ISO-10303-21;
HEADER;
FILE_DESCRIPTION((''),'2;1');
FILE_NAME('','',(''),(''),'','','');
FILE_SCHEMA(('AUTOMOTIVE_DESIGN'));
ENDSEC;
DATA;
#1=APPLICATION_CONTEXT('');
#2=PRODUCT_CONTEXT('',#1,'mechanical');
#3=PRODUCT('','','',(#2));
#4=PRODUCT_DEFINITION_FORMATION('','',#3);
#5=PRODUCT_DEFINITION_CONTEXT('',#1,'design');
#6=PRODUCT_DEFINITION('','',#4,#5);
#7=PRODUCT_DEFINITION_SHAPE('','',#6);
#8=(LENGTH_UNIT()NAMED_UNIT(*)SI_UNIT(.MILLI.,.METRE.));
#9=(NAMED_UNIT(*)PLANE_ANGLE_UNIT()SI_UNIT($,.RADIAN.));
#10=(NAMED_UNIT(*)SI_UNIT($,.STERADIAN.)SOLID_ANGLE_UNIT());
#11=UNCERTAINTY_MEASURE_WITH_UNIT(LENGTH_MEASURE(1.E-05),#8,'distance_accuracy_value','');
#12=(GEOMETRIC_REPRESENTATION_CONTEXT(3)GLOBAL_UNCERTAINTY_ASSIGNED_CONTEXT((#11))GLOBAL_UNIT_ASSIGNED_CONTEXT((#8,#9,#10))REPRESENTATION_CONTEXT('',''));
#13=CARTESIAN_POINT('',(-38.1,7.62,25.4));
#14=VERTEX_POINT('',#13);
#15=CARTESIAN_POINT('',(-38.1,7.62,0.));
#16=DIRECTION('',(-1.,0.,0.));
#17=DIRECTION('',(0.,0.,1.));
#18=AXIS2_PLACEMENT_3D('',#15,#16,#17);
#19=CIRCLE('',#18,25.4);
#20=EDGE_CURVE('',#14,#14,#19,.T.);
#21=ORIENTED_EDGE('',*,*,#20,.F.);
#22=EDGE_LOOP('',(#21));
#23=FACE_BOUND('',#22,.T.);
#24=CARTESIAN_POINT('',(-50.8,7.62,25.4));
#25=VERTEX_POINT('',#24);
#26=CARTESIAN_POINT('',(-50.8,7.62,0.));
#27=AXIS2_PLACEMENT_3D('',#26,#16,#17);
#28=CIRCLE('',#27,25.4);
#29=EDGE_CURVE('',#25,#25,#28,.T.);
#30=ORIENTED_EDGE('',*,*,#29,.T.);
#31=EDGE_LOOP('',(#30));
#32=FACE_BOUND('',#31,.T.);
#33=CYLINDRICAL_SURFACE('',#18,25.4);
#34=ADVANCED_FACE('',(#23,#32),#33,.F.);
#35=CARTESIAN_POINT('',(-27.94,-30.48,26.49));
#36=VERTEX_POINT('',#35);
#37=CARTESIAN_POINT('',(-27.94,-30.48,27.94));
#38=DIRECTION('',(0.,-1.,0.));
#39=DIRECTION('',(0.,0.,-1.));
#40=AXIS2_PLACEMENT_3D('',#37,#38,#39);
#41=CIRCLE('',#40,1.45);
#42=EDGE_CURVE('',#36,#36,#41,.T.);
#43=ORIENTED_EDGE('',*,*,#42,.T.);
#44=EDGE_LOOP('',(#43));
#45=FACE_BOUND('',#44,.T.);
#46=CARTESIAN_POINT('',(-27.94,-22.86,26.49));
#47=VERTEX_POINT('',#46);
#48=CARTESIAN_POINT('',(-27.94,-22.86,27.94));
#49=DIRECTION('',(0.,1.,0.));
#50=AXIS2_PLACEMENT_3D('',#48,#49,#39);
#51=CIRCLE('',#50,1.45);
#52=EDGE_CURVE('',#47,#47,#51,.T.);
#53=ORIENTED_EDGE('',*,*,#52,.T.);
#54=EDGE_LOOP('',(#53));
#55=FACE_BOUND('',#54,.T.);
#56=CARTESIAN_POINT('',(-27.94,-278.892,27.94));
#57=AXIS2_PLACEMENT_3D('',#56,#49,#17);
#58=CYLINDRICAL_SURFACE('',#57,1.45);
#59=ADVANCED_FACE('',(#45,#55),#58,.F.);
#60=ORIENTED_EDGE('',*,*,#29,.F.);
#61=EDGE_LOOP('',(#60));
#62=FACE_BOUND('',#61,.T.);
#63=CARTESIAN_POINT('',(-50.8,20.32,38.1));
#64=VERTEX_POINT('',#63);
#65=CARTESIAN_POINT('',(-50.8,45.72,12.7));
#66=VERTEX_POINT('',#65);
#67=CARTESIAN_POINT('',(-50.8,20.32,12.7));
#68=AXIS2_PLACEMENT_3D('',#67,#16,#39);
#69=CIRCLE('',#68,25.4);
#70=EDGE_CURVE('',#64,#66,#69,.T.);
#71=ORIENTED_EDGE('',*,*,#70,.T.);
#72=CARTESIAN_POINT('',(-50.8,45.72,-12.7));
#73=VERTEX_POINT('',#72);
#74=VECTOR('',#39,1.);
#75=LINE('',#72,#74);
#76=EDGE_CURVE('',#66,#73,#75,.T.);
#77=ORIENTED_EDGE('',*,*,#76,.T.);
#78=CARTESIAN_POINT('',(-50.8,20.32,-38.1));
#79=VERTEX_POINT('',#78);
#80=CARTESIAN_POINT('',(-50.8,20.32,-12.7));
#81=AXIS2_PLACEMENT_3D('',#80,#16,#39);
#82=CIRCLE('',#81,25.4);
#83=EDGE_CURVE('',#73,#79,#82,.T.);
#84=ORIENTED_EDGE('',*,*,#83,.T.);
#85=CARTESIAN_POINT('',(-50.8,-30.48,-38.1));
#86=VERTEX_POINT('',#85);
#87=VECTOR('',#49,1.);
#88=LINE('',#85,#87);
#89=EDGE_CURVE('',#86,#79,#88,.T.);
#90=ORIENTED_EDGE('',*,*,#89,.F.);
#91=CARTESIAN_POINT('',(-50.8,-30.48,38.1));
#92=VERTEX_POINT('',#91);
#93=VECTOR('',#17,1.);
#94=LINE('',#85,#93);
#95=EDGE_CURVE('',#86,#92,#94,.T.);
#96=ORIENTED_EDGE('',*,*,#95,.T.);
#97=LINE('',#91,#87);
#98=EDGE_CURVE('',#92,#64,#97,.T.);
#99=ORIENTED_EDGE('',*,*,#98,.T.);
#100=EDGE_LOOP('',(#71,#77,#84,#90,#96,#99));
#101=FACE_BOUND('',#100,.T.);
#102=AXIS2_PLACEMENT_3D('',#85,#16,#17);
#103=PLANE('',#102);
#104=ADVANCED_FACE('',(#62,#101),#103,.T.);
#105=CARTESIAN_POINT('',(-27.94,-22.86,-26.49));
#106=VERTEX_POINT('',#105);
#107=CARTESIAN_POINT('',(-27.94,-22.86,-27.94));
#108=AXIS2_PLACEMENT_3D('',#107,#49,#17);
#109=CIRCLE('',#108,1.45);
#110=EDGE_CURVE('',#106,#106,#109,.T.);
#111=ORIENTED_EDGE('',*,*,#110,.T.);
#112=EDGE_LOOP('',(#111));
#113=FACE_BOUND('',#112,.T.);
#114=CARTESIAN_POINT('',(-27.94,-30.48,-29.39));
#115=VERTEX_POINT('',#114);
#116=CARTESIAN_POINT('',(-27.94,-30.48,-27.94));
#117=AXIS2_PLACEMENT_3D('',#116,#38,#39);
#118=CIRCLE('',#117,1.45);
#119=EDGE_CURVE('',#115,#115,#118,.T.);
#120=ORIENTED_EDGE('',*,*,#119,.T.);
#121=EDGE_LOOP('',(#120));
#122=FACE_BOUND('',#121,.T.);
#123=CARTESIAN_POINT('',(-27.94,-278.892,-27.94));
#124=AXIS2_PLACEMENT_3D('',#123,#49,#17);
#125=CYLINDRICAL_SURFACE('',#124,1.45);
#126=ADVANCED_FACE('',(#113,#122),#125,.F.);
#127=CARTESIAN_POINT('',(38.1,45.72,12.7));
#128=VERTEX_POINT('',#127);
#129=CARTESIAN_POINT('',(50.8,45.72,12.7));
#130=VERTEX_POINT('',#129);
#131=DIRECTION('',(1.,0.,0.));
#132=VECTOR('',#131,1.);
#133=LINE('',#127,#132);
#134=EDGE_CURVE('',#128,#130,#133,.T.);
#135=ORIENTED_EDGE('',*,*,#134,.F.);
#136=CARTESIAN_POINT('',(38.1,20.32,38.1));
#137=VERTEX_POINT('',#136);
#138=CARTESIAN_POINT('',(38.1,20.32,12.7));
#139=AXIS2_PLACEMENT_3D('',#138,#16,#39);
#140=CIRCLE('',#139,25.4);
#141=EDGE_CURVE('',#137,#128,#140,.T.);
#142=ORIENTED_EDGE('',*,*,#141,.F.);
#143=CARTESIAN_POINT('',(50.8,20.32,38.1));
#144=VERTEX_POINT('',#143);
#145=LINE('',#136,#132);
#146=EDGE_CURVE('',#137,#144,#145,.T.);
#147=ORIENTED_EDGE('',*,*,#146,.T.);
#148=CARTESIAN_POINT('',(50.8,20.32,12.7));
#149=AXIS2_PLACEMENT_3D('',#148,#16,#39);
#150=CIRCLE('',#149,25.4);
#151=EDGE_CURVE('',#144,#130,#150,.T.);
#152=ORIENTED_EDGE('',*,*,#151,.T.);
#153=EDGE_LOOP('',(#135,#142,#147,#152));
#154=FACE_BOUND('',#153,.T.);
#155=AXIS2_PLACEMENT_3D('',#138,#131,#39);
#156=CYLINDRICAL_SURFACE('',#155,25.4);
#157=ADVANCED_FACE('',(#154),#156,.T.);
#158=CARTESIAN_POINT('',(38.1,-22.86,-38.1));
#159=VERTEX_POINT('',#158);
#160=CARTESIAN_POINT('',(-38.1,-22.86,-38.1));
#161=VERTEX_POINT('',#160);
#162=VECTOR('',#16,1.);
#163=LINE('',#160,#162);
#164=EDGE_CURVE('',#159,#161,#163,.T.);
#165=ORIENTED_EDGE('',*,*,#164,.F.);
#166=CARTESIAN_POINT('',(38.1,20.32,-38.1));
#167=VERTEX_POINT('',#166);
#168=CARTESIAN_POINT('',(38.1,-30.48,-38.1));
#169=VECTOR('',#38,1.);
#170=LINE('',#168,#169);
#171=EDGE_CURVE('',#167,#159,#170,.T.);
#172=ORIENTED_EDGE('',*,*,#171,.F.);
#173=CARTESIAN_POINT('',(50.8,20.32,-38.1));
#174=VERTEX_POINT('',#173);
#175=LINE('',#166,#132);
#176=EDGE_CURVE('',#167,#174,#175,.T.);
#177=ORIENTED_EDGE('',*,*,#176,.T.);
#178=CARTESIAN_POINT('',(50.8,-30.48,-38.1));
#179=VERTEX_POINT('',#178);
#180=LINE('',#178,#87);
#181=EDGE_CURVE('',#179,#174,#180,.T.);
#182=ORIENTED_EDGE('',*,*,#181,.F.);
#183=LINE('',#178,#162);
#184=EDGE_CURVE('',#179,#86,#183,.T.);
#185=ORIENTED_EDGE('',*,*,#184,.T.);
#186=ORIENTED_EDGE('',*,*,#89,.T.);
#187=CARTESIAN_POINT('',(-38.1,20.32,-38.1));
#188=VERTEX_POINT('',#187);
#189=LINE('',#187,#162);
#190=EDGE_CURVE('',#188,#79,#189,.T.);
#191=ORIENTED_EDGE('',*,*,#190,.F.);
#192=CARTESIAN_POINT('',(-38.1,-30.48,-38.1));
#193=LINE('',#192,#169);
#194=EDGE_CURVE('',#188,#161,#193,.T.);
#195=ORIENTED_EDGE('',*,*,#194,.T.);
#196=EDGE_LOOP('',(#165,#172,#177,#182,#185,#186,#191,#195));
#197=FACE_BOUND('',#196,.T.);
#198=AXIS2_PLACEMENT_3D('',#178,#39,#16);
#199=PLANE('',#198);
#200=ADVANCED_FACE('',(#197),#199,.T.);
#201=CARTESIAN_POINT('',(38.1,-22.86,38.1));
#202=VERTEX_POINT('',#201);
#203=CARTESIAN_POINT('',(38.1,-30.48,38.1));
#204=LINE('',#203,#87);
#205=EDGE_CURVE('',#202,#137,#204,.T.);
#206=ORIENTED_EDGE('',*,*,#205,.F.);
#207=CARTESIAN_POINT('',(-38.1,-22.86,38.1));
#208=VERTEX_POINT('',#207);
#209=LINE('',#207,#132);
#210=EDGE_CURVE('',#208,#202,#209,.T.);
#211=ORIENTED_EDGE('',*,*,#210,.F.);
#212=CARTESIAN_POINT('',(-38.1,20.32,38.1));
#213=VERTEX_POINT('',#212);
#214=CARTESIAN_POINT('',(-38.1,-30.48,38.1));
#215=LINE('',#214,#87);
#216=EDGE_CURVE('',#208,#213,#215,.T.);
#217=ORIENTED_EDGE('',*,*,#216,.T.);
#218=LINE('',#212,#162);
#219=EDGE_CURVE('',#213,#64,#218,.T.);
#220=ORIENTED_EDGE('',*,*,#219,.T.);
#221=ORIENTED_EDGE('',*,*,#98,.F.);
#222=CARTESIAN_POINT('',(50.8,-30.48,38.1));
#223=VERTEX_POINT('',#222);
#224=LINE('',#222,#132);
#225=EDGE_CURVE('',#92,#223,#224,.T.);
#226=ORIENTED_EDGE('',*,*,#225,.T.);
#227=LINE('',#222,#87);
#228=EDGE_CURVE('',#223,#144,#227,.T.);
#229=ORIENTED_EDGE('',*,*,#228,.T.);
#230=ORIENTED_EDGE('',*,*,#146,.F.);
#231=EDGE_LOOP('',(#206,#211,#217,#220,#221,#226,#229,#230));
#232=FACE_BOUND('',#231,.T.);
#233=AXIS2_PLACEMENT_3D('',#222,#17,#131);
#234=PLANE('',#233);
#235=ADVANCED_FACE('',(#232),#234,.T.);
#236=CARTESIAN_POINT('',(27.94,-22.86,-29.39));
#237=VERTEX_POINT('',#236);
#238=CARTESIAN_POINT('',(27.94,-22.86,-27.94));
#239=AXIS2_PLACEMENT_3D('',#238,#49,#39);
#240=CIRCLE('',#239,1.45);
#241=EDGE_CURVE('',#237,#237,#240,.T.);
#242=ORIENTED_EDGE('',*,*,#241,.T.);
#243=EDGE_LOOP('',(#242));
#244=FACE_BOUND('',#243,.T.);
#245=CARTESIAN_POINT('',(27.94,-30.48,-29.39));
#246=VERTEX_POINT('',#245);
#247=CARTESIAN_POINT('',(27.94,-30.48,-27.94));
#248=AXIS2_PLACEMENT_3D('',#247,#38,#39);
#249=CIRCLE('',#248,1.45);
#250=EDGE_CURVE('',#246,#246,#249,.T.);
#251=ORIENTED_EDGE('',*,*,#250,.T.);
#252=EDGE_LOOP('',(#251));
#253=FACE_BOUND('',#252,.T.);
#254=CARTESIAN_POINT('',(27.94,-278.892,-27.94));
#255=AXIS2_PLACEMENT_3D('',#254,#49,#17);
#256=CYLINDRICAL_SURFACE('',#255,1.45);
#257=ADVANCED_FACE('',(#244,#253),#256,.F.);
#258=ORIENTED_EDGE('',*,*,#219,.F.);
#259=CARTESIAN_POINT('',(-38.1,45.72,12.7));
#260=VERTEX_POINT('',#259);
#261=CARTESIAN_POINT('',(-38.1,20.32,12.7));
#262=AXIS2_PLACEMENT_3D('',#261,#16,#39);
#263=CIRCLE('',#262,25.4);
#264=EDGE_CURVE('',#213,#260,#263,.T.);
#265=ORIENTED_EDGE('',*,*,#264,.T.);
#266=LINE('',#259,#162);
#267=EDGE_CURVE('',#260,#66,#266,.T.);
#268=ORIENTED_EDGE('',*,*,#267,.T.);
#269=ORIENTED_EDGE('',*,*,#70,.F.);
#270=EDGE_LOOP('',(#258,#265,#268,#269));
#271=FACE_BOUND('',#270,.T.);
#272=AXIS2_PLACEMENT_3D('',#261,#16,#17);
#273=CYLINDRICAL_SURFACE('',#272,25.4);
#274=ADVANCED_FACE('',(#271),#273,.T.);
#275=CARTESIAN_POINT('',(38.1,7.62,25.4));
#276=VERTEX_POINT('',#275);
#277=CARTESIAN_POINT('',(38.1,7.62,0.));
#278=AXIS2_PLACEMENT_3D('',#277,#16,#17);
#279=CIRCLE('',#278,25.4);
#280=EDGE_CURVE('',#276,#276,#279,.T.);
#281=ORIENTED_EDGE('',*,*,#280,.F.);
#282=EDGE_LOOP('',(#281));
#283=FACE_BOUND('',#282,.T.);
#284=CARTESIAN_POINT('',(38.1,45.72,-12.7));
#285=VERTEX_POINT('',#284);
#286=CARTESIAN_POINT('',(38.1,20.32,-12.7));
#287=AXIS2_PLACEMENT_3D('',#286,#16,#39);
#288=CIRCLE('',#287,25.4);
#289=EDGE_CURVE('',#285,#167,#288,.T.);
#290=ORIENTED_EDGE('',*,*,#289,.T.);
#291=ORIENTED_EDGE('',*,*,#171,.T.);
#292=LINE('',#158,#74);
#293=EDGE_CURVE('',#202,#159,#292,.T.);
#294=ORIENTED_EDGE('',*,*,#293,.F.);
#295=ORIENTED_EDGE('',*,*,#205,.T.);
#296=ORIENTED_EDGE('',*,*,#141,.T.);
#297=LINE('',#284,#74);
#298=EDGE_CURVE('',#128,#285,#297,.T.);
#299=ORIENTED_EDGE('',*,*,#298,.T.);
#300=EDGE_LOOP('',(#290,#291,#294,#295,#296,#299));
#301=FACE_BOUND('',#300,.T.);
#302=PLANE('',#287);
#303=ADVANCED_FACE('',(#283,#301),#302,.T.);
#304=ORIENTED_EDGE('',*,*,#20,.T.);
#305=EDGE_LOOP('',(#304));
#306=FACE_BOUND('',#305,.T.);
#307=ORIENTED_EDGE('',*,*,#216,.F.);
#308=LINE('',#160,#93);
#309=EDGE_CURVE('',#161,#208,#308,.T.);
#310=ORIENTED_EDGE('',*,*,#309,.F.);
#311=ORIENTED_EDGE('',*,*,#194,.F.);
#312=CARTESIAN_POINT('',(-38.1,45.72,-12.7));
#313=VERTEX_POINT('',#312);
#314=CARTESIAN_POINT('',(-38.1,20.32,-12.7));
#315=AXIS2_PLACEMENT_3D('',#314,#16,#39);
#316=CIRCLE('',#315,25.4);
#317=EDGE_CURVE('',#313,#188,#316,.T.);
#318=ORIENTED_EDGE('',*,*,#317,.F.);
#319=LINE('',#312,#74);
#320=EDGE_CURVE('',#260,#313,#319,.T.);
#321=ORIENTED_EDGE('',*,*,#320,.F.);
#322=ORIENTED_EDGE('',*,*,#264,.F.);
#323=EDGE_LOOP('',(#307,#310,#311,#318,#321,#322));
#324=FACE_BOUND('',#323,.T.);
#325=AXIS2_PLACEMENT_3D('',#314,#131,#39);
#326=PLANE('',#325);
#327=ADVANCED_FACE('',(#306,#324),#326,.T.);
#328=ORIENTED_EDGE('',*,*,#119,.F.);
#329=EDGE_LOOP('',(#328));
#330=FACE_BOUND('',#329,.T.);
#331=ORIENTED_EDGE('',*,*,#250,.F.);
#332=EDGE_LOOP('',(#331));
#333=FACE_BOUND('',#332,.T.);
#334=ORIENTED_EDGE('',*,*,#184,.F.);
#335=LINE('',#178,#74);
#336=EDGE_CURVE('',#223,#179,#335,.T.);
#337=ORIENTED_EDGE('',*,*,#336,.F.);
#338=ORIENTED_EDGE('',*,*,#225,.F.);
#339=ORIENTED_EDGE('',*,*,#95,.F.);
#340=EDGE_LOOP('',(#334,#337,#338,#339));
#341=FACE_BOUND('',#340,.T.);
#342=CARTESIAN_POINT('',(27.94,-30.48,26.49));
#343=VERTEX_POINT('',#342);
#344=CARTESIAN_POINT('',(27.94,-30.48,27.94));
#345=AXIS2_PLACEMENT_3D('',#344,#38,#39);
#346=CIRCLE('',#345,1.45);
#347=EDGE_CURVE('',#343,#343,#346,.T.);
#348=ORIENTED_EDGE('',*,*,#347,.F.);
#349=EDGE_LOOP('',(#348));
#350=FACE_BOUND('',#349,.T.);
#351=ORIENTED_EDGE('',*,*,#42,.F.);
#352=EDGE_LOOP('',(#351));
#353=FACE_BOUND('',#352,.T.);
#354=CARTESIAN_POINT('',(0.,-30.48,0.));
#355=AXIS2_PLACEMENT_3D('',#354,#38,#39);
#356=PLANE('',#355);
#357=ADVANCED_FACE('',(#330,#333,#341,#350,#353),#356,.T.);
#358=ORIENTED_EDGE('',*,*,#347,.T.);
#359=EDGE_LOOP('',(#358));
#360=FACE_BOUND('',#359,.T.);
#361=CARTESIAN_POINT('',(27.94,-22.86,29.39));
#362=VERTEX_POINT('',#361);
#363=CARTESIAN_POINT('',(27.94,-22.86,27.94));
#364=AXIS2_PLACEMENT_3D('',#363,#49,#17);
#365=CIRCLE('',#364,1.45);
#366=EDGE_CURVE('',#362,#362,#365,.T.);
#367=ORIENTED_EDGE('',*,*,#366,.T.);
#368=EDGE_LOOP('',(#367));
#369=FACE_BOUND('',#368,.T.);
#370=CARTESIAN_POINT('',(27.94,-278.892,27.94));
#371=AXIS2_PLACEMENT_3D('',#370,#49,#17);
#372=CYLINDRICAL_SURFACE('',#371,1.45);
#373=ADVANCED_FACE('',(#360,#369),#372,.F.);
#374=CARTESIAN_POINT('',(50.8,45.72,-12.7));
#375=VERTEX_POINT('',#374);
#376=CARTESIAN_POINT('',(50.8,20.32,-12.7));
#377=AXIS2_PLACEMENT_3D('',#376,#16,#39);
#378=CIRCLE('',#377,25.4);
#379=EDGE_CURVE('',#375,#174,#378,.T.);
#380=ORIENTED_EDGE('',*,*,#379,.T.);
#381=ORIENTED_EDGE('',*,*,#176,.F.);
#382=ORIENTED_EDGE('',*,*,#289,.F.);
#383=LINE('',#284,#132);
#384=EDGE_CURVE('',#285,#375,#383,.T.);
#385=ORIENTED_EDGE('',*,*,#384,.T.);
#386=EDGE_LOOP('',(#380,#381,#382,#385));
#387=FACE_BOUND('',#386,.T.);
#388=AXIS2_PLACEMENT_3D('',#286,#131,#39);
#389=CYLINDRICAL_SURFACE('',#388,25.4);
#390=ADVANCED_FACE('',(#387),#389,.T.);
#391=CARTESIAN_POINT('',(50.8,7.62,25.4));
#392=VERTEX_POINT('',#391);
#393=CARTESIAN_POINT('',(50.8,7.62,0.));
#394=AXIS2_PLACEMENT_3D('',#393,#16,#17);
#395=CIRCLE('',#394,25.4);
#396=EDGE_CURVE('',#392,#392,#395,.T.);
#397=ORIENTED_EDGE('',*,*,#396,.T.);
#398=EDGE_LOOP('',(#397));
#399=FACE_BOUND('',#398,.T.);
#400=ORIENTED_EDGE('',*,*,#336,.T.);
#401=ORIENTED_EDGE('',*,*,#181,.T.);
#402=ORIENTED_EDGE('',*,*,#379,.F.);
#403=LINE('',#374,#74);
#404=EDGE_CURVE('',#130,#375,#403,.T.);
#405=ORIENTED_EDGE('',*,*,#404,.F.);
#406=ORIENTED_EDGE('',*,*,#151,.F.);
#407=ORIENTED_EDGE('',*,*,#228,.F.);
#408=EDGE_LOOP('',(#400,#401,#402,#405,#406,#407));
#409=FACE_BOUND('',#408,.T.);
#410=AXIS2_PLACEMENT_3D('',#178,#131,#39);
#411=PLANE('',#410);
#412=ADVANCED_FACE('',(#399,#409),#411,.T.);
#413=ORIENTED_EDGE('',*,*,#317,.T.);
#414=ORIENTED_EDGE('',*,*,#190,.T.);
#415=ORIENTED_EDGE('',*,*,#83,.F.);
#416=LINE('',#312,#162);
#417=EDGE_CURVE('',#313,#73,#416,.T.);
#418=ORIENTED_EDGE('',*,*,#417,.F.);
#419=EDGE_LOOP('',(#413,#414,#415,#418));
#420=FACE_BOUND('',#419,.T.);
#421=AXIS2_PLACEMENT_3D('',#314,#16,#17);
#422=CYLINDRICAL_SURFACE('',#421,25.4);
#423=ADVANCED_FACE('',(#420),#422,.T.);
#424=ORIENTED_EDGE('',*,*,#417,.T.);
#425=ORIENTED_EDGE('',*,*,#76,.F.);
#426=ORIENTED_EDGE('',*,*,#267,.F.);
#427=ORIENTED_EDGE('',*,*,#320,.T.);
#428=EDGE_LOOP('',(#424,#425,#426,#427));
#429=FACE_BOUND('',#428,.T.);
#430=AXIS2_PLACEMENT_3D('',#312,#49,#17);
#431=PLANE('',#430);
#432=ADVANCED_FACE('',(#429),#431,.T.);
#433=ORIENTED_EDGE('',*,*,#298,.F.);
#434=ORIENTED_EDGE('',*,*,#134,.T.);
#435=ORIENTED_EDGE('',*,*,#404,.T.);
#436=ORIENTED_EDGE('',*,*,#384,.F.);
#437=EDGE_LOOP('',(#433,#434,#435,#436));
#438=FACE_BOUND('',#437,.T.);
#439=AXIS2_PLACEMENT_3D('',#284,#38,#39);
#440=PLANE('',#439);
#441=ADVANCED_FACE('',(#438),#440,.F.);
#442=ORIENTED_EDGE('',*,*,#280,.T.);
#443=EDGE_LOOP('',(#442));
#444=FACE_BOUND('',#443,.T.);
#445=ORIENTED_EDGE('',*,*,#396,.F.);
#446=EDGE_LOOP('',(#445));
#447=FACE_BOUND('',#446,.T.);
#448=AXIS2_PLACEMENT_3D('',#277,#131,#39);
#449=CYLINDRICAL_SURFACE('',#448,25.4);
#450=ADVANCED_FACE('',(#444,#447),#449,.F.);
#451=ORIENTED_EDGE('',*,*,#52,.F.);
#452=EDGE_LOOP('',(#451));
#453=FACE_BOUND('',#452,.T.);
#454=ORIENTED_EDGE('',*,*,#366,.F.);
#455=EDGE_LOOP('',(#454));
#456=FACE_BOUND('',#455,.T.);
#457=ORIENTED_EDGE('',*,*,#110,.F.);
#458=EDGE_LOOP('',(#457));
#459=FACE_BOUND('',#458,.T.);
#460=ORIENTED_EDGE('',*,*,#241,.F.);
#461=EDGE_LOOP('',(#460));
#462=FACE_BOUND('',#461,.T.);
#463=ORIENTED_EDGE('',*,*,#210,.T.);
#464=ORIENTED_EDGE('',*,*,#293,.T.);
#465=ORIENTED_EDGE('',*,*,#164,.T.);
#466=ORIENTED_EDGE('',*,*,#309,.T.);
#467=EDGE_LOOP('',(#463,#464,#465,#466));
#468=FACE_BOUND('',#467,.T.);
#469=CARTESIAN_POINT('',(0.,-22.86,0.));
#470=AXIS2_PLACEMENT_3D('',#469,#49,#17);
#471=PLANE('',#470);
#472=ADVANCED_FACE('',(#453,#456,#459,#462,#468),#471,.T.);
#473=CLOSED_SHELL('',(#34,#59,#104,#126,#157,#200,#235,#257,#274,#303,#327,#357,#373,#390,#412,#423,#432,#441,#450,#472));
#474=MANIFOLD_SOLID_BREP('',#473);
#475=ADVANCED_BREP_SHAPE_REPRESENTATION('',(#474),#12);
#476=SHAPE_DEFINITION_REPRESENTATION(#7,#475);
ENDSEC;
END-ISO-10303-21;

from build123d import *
from build123d.topology import SkipClean

# Parameters (mm, degrees)
SKETCH1_W           = 101.6
SKETCH1_H           = 76.2
BOSS_EXTRUDE1_DEPTH = 30.48
SKETCH2_R           = 25.4
BOSS_EXTRUDE2_DEPTH = 12.7
SKETCH3_W           = 76.2
SKETCH3_H           = 76.2
CUT_EXTRUDE1_DEPTH  = 22.86
SKETCH5_R           = 25.4
CUT_EXTRUDE3_DEPTH  = 256.032
SKETCH6_R           = 1.45
CUT_EXTRUDE4_DEPTH  = 256.032


with BuildPart() as part:
    # Sketch1 → Boss-Extrude1 (new body)
    with BuildSketch(Plane(origin=(0, 0, 0), x_dir=(1, 0, 0), z_dir=(0, 1, 0))):
        Rectangle(SKETCH1_W, SKETCH1_H)
    extrude(amount=-BOSS_EXTRUDE1_DEPTH)

    # Sketch2 → Boss-Extrude2 (add)
    with BuildSketch(Plane.ZY.offset(50.8)):
        with BuildLine():
            Line((-38.1, -30.48), (38.1, -30.48))
            Line((38.1, -30.48), (38.1, 20.32))
            ThreePointArc((38.1, 20.32), (30.660512242, 38.280512242), (12.7, 45.72))
            Line((12.7, 45.72), (-12.7, 45.72))
            ThreePointArc((-12.7, 45.72), (-30.660512242, 38.280512242), (-38.1, 20.32))
            Line((-38.1, 20.32), (-38.1, -30.48))
        make_face()
        with Locations((0, 7.62)):
            Circle(SKETCH2_R, mode=Mode.SUBTRACT)
    boss_extrude2 = extrude(amount=-BOSS_EXTRUDE2_DEPTH)

    # Mirror1: Boss-Extrude2 across plane
    add(boss_extrude2.mirror(Plane(origin=(0, 0, 0), x_dir=(0, 0, 1), z_dir=(1, 0, 0))))

    # Sketch3 → Cut-Extrude1 (cut)
    with BuildSketch(Plane(origin=(0, 0, 0), x_dir=(1, 0, 0), z_dir=(0, 1, 0))):
        Rectangle(SKETCH3_W, SKETCH3_H)
    extrude(amount=-CUT_EXTRUDE1_DEPTH, mode=Mode.SUBTRACT)

    # Sketch5 → Cut-Extrude3 (cut)
    with SkipClean():  # the faces are left unmerged after this step: merging them gives an invalid solid
        with BuildSketch(Plane.ZY.offset(50.8)):
            with Locations((0, 7.62)):
                Circle(SKETCH5_R)
        extrude(amount=-CUT_EXTRUDE3_DEPTH, mode=Mode.SUBTRACT)

    # Sketch6 → Cut-Extrude4 (cut)
    with SkipClean():  # the faces are left unmerged after this step: merging them gives an invalid solid
        with BuildSketch(Plane(origin=(0, -22.86, 0), x_dir=(1, 0, 0), z_dir=(0, 1, 0))):
            with Locations(Location((-27.94, 27.94, 0), (0, 0, 270))):
                Circle(SKETCH6_R)
            with Locations(Location((27.94, 27.94, 0), (0, 0, 90))):
                Circle(SKETCH6_R)
            with Locations(Location((27.94, -27.94, 0), (0, 0, 270))):
                Circle(SKETCH6_R)
            with Locations(Location((-27.94, -27.94, 0), (0, 0, 90))):
                Circle(SKETCH6_R)
        extrude(amount=-CUT_EXTRUDE4_DEPTH, mode=Mode.SUBTRACT)


solid = part.part
